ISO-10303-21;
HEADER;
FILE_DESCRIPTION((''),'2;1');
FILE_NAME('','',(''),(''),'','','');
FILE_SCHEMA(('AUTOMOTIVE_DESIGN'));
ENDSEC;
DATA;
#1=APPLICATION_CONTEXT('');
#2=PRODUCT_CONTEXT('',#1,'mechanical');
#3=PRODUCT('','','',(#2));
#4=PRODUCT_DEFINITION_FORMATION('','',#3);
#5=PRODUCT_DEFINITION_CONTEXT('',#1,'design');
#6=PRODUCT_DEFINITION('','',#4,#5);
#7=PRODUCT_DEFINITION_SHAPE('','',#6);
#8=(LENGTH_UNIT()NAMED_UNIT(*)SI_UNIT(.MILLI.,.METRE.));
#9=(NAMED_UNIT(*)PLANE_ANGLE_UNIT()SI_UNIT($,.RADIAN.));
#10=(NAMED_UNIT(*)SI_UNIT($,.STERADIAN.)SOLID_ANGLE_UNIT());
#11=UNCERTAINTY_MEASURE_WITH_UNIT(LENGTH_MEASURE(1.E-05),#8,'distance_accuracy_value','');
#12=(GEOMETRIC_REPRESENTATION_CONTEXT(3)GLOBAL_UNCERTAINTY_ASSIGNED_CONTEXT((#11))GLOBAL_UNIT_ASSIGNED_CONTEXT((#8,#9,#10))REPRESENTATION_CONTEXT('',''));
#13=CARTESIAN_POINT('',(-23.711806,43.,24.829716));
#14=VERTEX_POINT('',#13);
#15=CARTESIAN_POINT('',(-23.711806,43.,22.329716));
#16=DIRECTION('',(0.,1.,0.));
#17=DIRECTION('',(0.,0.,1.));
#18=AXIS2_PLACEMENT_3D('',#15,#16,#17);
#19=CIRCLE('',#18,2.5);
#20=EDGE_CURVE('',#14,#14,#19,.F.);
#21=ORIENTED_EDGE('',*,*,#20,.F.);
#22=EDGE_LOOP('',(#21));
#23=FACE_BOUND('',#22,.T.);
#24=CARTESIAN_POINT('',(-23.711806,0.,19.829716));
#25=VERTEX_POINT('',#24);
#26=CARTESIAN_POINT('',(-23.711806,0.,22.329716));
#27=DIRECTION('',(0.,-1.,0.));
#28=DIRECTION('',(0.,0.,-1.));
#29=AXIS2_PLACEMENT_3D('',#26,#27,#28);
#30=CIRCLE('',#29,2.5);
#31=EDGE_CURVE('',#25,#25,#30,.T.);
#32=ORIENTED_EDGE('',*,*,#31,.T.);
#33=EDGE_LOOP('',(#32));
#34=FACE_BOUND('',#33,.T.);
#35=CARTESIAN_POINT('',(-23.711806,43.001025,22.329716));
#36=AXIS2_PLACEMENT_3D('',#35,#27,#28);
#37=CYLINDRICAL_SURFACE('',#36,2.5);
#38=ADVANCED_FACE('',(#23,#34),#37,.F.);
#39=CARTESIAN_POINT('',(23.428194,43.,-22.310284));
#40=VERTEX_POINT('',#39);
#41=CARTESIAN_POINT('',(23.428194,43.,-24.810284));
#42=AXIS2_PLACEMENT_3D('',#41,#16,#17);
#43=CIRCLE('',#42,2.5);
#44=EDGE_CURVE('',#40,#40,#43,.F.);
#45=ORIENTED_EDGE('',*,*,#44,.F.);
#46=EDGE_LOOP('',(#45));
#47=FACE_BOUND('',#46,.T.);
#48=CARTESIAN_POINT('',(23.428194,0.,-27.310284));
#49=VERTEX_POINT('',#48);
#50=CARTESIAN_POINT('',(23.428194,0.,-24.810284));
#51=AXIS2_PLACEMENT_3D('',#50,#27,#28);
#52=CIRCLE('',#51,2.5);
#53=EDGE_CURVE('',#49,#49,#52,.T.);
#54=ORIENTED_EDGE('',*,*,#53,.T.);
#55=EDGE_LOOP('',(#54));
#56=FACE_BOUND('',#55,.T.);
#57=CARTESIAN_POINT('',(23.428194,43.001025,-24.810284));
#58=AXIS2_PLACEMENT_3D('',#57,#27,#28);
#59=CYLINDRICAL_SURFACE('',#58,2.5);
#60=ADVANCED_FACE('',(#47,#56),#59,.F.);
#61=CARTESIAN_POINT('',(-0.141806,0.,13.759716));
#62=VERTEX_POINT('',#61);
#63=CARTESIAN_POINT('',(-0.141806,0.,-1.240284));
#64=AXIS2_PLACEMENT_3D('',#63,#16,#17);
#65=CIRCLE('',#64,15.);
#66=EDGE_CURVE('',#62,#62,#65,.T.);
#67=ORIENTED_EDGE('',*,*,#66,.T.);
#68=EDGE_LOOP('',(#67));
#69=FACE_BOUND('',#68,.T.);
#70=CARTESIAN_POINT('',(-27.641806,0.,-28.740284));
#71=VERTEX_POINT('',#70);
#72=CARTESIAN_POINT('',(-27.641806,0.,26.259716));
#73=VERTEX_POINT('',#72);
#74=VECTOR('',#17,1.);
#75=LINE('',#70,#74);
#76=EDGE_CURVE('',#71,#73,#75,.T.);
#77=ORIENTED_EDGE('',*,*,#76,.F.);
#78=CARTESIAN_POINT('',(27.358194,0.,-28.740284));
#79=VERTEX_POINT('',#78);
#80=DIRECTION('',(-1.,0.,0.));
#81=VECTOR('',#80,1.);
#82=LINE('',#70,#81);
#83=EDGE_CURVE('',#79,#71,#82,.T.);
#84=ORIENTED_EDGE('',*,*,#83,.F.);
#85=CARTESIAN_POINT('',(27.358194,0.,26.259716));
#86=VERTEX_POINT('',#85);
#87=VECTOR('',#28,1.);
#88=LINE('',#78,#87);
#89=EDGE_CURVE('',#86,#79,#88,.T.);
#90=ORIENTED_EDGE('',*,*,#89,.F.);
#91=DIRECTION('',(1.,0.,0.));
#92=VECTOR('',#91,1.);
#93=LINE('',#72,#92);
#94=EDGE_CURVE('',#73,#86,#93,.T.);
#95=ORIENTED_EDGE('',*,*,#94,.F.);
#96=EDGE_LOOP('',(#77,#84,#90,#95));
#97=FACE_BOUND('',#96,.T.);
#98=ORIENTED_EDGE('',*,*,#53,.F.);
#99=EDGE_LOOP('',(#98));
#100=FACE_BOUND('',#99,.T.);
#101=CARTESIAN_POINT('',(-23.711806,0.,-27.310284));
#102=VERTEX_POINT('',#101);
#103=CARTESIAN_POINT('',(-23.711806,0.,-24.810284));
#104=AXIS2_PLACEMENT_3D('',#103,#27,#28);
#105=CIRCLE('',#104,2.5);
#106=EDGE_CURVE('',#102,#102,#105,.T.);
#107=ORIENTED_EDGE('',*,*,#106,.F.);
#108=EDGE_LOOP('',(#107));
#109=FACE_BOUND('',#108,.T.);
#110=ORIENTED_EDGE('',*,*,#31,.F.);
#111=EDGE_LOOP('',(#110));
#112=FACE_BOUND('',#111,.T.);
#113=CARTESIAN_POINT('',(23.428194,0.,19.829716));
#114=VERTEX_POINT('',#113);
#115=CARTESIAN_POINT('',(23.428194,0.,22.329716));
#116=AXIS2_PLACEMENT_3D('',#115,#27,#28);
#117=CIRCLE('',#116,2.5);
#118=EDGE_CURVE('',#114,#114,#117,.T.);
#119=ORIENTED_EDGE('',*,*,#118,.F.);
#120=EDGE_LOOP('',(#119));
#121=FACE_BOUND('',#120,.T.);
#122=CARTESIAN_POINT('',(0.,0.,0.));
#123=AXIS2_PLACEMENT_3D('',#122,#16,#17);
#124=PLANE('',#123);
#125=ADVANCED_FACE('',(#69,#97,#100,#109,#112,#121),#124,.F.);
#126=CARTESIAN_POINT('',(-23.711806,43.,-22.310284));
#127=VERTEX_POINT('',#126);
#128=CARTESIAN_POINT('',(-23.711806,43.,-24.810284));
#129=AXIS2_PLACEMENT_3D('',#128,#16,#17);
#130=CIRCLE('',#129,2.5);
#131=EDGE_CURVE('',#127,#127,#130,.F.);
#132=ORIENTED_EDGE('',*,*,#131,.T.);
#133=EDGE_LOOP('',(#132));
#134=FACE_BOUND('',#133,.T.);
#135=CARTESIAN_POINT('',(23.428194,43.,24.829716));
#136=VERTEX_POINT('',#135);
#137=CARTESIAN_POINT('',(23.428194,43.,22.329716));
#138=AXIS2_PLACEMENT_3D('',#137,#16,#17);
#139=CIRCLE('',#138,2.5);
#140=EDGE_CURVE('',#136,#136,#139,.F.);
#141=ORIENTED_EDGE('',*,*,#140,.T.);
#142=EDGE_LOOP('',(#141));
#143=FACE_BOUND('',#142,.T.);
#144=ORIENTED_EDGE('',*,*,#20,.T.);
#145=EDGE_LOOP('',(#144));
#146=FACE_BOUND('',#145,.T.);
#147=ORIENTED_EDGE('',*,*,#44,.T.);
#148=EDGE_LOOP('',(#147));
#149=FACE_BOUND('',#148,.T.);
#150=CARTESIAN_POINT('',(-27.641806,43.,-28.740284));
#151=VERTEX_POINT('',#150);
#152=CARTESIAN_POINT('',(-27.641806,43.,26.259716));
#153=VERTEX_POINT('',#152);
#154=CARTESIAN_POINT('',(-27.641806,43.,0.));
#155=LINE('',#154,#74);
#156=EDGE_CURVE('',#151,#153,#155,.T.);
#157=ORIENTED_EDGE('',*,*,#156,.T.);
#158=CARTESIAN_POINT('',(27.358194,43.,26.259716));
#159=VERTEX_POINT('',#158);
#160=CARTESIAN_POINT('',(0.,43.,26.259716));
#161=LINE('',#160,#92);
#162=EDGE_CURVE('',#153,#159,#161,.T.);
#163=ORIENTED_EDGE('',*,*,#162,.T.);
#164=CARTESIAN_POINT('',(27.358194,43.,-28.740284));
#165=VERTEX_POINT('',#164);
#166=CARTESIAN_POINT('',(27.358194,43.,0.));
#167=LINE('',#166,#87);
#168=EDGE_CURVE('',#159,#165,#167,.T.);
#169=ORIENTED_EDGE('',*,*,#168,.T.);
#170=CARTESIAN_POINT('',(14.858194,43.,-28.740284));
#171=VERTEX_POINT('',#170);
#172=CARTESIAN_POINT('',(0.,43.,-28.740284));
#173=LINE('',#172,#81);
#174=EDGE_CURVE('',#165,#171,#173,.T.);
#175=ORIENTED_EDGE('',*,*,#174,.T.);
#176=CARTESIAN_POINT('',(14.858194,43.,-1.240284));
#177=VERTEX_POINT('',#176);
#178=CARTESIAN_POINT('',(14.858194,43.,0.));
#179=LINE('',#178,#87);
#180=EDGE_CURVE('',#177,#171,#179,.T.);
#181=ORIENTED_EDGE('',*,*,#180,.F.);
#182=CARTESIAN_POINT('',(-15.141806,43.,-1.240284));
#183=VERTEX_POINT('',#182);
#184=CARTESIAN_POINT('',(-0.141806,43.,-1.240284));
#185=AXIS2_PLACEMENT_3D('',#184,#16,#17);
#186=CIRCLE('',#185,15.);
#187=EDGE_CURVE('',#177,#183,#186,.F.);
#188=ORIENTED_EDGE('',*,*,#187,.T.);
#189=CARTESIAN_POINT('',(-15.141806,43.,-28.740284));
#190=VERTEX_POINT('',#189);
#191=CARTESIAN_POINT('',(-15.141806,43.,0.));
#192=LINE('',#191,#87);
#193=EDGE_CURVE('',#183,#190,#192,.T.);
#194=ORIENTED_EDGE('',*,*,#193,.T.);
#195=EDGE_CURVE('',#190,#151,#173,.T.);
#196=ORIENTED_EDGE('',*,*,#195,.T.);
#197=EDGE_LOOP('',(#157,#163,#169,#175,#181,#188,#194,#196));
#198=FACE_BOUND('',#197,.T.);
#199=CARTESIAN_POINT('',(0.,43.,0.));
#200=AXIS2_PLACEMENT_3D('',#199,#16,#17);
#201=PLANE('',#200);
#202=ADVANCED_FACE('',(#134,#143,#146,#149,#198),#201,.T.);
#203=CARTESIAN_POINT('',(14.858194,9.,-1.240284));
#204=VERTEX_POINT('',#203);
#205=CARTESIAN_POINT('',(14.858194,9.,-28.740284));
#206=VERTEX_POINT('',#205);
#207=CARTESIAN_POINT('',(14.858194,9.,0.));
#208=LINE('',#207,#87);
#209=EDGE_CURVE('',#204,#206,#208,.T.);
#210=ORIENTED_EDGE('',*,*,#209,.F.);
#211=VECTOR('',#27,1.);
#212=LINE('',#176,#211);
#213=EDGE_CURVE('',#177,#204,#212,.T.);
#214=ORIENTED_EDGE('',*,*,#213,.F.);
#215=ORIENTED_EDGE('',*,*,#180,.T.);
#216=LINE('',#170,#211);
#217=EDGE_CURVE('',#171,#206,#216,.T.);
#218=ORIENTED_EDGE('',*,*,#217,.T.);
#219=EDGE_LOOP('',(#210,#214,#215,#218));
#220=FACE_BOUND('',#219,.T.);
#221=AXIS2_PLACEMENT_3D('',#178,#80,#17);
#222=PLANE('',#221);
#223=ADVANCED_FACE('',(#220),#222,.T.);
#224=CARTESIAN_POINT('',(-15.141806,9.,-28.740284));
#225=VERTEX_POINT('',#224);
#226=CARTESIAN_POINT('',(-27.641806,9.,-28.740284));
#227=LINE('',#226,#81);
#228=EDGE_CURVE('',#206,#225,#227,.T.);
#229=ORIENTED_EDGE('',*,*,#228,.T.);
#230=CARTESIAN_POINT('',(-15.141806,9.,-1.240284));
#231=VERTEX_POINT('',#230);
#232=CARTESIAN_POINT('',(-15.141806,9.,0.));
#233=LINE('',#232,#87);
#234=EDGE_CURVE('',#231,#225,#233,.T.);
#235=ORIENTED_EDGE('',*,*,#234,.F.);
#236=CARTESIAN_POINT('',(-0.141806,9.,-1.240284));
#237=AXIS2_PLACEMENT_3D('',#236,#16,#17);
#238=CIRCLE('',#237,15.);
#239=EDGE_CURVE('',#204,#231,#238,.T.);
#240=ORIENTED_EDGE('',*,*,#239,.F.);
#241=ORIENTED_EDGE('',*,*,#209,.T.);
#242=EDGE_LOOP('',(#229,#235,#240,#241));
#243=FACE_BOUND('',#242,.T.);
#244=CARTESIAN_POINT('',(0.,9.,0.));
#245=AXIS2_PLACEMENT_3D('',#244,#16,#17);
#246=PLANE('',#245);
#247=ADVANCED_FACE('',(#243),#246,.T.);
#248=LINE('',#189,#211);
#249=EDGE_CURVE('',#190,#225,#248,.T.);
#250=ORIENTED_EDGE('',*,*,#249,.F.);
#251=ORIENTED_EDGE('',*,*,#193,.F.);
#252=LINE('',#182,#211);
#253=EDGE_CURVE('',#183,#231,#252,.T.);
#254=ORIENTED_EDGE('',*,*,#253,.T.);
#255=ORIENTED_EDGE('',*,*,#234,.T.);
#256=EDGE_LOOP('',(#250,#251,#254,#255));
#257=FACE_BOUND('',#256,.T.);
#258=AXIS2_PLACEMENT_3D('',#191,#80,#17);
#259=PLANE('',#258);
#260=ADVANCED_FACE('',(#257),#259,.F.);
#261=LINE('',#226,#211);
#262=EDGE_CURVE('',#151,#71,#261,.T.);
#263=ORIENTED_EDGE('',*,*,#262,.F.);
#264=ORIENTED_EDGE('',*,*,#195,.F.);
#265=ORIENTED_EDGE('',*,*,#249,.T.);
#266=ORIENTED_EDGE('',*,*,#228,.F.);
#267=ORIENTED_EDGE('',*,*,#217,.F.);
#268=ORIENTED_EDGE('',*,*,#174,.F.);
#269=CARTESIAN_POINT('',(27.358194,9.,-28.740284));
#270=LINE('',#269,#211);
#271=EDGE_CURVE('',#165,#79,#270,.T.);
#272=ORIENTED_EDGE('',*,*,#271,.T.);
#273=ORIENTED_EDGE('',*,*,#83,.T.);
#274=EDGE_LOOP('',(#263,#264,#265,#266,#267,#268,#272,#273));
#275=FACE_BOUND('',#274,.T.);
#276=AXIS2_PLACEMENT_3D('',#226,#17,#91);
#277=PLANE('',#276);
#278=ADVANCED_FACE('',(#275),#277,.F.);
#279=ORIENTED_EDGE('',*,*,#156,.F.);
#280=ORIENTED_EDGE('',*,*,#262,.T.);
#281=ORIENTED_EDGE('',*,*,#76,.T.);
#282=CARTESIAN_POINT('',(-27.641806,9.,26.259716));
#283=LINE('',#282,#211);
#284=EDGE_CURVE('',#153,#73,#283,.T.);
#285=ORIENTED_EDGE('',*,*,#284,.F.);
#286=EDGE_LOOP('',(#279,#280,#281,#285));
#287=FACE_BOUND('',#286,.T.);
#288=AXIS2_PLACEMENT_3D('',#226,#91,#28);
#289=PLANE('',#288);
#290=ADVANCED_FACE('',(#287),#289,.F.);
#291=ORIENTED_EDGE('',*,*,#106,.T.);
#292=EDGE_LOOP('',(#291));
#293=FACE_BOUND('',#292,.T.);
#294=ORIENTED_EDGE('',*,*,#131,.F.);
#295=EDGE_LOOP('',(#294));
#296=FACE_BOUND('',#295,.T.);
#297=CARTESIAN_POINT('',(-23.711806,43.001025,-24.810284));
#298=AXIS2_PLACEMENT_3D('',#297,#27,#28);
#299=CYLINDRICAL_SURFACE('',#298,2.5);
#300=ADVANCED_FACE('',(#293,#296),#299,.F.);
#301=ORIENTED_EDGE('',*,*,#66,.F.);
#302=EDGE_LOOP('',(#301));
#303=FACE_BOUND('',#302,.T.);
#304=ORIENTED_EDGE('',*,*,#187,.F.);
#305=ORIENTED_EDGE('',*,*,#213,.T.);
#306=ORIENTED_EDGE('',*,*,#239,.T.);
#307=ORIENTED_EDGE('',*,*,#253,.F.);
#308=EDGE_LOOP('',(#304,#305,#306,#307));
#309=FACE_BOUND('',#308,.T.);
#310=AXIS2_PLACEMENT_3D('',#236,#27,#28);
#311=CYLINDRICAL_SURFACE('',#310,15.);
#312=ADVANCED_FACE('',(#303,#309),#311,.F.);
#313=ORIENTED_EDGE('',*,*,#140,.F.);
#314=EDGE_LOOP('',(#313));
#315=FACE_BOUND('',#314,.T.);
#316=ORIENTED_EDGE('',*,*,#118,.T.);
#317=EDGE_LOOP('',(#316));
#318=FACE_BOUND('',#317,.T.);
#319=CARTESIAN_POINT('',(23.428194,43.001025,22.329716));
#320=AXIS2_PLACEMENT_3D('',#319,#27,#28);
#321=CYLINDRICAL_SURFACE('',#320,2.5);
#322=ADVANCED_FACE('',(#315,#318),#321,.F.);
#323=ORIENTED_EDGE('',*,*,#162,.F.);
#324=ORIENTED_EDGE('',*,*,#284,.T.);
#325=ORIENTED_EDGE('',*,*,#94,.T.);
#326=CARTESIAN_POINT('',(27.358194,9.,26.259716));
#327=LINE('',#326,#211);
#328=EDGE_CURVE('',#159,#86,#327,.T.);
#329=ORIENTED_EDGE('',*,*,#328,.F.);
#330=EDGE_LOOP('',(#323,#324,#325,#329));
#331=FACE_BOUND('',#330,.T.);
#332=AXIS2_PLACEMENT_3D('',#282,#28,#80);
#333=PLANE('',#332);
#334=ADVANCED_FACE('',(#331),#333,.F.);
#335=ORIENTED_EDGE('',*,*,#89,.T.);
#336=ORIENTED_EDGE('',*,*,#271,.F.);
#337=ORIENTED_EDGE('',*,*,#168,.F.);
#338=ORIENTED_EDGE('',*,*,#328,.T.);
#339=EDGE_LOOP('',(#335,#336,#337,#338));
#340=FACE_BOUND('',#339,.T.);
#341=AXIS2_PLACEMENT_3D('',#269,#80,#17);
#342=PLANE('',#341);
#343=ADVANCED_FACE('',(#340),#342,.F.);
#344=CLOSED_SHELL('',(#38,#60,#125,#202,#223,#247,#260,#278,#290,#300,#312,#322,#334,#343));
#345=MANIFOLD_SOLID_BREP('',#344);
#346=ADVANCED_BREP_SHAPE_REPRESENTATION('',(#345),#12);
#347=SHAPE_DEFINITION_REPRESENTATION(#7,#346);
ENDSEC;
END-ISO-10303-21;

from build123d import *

# Parameters (mm, degrees)
SKETCH1_W           = 55
SKETCH1_H           = 55
SKETCH1_R           = 15
BOSS_EXTRUDE3_DEPTH = 9
BOSS_EXTRUDE4_DEPTH = 34
CUT_EXTRUDE1_REACH  = 60.644
SKETCH6_R           = 2.5


with BuildPart() as part:
    # Sketch1 → Boss-Extrude3 (new body)
    with BuildSketch(Plane(origin=(0, 0, 0), x_dir=(1, 0, 0), z_dir=(0, 1, 0))):
        with Locations((-0.141805914, 1.240284381)):
            Rectangle(SKETCH1_W, SKETCH1_H)
        with Locations(Location((-0.141805914, 1.240284381, 0), (0, 0, 270))):
            Circle(SKETCH1_R, mode=Mode.SUBTRACT)
    extrude(amount=BOSS_EXTRUDE3_DEPTH)

    # Sketch5 → Boss-Extrude4 (add)
    with BuildSketch(Plane(origin=(0, 9, 0), x_dir=(1, 0, 0), z_dir=(0, 1, 0))):
        with BuildLine():
            ThreePointArc((14.858194086, 1.240284381), (-0.141805914, -13.759715619), (-15.141805914, 1.240284381))
            Line((-15.141805914, 1.240284381), (-15.141805914, 28.740284381))
            Line((-15.141805914, 28.740284381), (-27.641805914, 28.740284381))
            Line((-27.641805914, 28.740284381), (-27.641805914, -26.259715619))
            Line((-27.641805914, -26.259715619), (27.358194086, -26.259715619))
            Line((27.358194086, -26.259715619), (27.358194086, 28.740284381))
            Line((27.358194086, 28.740284381), (14.858194086, 28.740284381))
            Line((14.858194086, 28.740284381), (14.858194086, 1.240284381))
        make_face()
    extrude(amount=BOSS_EXTRUDE4_DEPTH)

    # Sketch6 → Cut-Extrude1 (cut, up to next)
    with BuildSketch(Plane.XZ, mode=Mode.PRIVATE) as cut_extrude1_sk1:
        with Locations(Location((-23.711805914, 22.329715619, 0), (0, 0, 270))):
            Circle(SKETCH6_R)
    cut_extrude1_tool1 = extrude(cut_extrude1_sk1.sketch, amount=-CUT_EXTRUDE1_REACH, mode=Mode.PRIVATE) & part.part
    # Sketch6 → Cut-Extrude1 (cut, up to next)
    with BuildSketch(Plane.XZ, mode=Mode.PRIVATE) as cut_extrude1_sk2:
        with Locations(Location((23.428194086, 22.329715619, 0), (0, 0, 270))):
            Circle(SKETCH6_R)
    cut_extrude1_tool2 = extrude(cut_extrude1_sk2.sketch, amount=-CUT_EXTRUDE1_REACH, mode=Mode.PRIVATE) & part.part
    # Sketch6 → Cut-Extrude1 (cut, up to next)
    with BuildSketch(Plane.XZ, mode=Mode.PRIVATE) as cut_extrude1_sk3:
        with Locations(Location((-23.711805914, -24.810284381, 0), (0, 0, 270))):
            Circle(SKETCH6_R)
    cut_extrude1_tool3 = extrude(cut_extrude1_sk3.sketch, amount=-CUT_EXTRUDE1_REACH, mode=Mode.PRIVATE) & part.part
    # Sketch6 → Cut-Extrude1 (cut, up to next)
    with BuildSketch(Plane.XZ, mode=Mode.PRIVATE) as cut_extrude1_sk4:
        with Locations(Location((23.428194086, -24.810284381, 0), (0, 0, 270))):
            Circle(SKETCH6_R)
    cut_extrude1_tool4 = extrude(cut_extrude1_sk4.sketch, amount=-CUT_EXTRUDE1_REACH, mode=Mode.PRIVATE) & part.part
    add(cut_extrude1_tool1.solids().sort_by_distance((-23.711806, 0, 22.329716))[0], mode=Mode.SUBTRACT)
    add(cut_extrude1_tool2.solids().sort_by_distance((23.428194, 0, 22.329716))[0], mode=Mode.SUBTRACT)
    add(cut_extrude1_tool3.solids().sort_by_distance((-23.711806, 0, -24.810284))[0], mode=Mode.SUBTRACT)
    add(cut_extrude1_tool4.solids().sort_by_distance((23.428194, 0, -24.810284))[0], mode=Mode.SUBTRACT)


solid = part.part
